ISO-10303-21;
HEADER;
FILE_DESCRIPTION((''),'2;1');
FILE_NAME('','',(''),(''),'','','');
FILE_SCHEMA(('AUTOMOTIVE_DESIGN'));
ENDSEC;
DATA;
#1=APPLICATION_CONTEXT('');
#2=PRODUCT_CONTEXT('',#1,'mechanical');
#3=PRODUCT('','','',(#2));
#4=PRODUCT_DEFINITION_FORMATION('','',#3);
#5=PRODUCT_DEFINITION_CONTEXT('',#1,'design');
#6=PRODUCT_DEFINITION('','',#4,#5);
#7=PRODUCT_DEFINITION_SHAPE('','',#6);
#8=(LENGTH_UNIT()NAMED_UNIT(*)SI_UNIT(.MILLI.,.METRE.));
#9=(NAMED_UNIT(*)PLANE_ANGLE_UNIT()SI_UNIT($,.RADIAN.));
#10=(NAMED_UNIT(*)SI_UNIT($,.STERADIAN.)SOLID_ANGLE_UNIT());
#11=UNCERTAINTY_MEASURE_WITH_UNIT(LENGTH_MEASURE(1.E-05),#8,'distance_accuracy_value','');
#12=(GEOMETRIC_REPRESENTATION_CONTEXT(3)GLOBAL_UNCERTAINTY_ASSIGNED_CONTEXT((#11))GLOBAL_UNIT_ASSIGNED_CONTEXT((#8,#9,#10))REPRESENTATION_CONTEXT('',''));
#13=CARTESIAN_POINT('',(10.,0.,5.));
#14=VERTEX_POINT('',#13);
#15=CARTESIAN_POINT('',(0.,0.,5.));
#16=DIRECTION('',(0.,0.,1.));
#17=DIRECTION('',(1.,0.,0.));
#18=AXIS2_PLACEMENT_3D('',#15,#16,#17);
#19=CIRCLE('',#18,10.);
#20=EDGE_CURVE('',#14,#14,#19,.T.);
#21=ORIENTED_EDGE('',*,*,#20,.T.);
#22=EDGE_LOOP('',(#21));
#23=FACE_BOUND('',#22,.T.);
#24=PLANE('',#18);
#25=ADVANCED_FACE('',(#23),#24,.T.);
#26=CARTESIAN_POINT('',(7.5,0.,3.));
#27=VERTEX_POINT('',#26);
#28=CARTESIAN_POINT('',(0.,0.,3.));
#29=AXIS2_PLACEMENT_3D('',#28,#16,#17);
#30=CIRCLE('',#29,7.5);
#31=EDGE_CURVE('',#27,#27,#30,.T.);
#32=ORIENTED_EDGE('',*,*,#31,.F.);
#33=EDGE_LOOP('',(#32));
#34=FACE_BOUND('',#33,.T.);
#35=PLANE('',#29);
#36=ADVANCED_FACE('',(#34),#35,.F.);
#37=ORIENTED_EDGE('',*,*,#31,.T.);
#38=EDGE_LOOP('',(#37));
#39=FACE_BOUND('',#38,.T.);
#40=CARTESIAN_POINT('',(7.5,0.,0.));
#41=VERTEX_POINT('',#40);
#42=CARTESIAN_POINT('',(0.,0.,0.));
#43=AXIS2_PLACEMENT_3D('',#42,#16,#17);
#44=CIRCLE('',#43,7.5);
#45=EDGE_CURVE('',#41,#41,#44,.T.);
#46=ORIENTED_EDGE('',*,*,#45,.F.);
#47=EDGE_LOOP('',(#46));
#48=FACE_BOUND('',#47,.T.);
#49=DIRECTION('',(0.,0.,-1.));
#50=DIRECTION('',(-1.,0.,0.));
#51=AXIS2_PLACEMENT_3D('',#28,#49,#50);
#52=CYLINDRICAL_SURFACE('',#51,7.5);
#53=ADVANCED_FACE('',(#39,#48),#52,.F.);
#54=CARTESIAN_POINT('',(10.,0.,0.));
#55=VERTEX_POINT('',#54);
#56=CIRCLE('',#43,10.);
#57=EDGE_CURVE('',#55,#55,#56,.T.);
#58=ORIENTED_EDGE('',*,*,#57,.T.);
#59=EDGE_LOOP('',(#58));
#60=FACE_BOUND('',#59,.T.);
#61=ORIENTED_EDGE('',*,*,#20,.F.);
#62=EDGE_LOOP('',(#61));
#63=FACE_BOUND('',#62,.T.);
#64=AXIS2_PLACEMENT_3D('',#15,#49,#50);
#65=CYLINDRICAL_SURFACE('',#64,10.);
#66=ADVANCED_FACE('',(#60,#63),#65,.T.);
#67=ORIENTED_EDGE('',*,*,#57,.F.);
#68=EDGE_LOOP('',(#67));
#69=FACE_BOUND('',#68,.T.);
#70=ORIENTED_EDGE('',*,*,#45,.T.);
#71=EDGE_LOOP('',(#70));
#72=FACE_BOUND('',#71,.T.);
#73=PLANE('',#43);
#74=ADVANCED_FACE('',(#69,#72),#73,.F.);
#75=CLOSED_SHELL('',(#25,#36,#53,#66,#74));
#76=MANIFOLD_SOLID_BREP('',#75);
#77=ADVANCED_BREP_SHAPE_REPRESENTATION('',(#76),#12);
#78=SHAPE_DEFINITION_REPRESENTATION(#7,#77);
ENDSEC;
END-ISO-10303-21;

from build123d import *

# Parameters (mm, degrees)
SKETCH1_R           = 10
BOSS_EXTRUDE1_DEPTH = 5
SKETCH1_3_R         = 7.5
CUT_EXTRUDE1_DEPTH  = 3


with BuildPart() as part:
    # Sketch1 → Boss-Extrude1 (new body)
    with BuildSketch(Plane.XY):
        Circle(SKETCH1_R)
    extrude(amount=BOSS_EXTRUDE1_DEPTH)

    # Sketch1<3> → Cut-Extrude1 (cut)
    with BuildSketch(Plane.XY):
        Circle(SKETCH1_3_R)
    extrude(amount=CUT_EXTRUDE1_DEPTH, mode=Mode.SUBTRACT)


solid = part.part
